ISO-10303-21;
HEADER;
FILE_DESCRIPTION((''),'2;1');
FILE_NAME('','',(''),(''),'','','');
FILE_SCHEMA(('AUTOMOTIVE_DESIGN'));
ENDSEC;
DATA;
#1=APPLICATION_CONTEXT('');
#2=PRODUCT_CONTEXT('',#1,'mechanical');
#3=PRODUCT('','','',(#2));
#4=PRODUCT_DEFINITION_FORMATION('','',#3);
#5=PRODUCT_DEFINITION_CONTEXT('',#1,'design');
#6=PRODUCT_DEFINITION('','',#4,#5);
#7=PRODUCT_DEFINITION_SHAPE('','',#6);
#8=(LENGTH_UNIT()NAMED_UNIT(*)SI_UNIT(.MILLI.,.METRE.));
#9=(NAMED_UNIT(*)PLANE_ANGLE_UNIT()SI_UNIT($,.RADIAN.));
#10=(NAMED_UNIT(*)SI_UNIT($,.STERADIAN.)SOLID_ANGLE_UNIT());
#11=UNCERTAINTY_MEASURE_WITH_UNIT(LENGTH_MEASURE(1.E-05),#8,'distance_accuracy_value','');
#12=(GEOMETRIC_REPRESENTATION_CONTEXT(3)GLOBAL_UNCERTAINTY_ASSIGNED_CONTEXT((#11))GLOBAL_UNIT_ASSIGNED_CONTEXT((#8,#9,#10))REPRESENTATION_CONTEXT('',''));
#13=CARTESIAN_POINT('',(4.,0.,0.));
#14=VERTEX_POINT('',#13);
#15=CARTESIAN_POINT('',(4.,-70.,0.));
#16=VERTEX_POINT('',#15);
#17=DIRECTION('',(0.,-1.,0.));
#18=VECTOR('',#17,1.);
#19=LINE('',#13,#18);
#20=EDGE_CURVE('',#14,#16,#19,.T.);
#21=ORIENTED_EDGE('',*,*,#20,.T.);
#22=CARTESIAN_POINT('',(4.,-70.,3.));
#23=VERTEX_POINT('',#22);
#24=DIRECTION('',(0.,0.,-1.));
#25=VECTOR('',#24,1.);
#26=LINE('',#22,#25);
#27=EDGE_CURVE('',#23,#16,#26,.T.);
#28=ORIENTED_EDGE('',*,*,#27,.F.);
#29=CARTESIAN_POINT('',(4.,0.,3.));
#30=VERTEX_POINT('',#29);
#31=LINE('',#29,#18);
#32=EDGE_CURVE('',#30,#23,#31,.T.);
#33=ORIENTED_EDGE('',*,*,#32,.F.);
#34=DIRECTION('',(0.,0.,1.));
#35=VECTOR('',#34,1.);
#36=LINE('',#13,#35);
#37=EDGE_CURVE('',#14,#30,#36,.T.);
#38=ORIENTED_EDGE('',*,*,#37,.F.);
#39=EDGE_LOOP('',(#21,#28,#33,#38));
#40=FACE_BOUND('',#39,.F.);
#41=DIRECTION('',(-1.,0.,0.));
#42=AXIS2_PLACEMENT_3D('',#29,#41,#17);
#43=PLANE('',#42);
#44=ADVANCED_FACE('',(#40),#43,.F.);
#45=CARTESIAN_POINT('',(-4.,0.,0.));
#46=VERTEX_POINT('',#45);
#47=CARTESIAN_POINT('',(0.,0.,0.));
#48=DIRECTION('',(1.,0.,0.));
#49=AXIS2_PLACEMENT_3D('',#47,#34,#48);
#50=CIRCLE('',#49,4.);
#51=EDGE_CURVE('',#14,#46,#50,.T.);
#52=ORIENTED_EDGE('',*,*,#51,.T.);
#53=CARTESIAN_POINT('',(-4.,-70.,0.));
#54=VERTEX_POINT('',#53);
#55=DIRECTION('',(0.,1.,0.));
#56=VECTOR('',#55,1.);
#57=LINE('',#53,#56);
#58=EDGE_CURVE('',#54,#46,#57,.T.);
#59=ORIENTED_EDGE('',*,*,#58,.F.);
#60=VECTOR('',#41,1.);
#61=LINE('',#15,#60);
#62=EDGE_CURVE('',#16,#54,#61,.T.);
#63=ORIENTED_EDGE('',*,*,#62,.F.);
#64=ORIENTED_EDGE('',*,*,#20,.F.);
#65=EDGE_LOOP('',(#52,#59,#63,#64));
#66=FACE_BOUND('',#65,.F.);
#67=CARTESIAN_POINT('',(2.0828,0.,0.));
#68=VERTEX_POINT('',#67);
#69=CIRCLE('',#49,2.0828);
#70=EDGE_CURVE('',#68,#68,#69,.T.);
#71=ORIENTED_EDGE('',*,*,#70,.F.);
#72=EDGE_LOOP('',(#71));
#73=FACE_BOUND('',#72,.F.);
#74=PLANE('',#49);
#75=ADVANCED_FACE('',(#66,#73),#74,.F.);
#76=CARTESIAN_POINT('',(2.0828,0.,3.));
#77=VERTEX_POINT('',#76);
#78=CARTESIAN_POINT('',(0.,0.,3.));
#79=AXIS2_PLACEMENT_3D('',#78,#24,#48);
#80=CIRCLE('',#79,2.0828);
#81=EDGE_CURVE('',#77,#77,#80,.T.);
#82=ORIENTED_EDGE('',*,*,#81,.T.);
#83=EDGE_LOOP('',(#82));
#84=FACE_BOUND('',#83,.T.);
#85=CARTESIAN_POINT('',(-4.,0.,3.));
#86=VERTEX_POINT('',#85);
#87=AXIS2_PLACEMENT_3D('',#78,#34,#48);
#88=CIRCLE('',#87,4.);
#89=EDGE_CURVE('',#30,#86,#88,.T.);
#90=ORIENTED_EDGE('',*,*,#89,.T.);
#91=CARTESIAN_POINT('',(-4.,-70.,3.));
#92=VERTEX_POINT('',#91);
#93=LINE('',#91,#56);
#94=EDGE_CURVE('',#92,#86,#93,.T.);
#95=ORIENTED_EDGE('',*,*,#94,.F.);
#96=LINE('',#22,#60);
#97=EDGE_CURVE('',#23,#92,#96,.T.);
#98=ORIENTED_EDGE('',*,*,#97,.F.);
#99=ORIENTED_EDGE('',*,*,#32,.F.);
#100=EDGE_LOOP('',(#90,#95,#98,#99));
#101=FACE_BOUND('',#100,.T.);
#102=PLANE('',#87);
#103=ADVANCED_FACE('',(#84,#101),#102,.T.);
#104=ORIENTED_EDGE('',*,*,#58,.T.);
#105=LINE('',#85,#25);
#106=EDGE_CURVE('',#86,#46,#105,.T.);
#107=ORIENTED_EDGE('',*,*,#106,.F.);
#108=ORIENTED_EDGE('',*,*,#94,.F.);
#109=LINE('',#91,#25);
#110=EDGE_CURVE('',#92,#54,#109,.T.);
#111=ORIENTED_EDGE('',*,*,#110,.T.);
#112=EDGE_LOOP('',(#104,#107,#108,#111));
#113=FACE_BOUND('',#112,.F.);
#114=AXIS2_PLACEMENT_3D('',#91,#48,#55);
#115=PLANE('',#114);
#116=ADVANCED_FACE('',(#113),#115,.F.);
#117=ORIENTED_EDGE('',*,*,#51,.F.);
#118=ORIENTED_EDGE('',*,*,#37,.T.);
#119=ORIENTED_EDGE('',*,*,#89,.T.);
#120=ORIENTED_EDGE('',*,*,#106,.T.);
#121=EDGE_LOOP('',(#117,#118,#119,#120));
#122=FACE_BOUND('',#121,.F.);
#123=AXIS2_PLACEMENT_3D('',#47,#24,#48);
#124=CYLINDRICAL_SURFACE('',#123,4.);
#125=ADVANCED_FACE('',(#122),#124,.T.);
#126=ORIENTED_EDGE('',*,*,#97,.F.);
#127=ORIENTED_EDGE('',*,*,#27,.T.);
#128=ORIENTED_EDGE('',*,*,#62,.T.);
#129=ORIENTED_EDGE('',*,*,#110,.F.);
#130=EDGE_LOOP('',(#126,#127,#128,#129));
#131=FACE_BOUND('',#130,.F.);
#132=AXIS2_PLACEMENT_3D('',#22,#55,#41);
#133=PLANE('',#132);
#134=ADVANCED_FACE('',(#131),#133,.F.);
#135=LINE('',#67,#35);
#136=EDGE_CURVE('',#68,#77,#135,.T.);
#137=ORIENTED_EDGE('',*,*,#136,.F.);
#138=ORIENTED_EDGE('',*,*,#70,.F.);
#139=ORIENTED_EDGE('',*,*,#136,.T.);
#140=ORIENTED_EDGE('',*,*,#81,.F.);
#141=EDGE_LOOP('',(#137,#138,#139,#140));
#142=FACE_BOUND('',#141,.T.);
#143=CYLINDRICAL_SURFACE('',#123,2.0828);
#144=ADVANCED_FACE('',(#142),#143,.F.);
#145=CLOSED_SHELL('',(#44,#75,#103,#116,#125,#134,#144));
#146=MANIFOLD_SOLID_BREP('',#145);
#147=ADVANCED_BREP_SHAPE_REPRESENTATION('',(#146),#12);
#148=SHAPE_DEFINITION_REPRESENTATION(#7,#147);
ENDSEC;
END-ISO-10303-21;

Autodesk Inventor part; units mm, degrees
ref_plane "YZ Plane" through (0, 0, 0) normal (1, 0, 0) x (0, 1, 0)
ref_plane "XZ Plane" through (0, 0, 0) normal (0, 1, 0) x (-1, 0, 0)
ref_plane "XY Plane" through (0, 0, 0) normal (0, 0, 1) x (1, 0, 0)
sketch "Sketch1" plane through (0, 0, 0) normal (0, 0, 1) x (1, 0, 0)
  circle A0 centre (0, 0) radius 2.0828
  dimension "d0" = 4.1656
sketch "Sketch2" plane through (0, 0, 0) normal (0, 0, 1) x (1, 0, 0)
  circle A0 centre (0, 0) radius 4
  dimension "d1" = 8
extrude "Extrusion1" add sketch "Sketch2" along normal blind 3
sketch "Sketch3" plane through (0, 0, 3) normal (0, 0, 1) x (1, 0, 0)
  circle A0 centre (0, 0) radius 4 projected
  line L0 (-4, 0) -> (4, 0)
  line L1 (4, 0) -> (4, -70)
  line L2 (4, -70) -> (-4, -70)
  line L3 (-4, -70) -> (-4, 0)
  dimension "d4" = 70
extrude "Extrusion2" add sketch "Sketch3" against normal blind 3 contours L1 L2 L3 A0
extrude "Extrusion3" cut sketch "Sketch1" along normal blind 5
properties part number "Finger"
